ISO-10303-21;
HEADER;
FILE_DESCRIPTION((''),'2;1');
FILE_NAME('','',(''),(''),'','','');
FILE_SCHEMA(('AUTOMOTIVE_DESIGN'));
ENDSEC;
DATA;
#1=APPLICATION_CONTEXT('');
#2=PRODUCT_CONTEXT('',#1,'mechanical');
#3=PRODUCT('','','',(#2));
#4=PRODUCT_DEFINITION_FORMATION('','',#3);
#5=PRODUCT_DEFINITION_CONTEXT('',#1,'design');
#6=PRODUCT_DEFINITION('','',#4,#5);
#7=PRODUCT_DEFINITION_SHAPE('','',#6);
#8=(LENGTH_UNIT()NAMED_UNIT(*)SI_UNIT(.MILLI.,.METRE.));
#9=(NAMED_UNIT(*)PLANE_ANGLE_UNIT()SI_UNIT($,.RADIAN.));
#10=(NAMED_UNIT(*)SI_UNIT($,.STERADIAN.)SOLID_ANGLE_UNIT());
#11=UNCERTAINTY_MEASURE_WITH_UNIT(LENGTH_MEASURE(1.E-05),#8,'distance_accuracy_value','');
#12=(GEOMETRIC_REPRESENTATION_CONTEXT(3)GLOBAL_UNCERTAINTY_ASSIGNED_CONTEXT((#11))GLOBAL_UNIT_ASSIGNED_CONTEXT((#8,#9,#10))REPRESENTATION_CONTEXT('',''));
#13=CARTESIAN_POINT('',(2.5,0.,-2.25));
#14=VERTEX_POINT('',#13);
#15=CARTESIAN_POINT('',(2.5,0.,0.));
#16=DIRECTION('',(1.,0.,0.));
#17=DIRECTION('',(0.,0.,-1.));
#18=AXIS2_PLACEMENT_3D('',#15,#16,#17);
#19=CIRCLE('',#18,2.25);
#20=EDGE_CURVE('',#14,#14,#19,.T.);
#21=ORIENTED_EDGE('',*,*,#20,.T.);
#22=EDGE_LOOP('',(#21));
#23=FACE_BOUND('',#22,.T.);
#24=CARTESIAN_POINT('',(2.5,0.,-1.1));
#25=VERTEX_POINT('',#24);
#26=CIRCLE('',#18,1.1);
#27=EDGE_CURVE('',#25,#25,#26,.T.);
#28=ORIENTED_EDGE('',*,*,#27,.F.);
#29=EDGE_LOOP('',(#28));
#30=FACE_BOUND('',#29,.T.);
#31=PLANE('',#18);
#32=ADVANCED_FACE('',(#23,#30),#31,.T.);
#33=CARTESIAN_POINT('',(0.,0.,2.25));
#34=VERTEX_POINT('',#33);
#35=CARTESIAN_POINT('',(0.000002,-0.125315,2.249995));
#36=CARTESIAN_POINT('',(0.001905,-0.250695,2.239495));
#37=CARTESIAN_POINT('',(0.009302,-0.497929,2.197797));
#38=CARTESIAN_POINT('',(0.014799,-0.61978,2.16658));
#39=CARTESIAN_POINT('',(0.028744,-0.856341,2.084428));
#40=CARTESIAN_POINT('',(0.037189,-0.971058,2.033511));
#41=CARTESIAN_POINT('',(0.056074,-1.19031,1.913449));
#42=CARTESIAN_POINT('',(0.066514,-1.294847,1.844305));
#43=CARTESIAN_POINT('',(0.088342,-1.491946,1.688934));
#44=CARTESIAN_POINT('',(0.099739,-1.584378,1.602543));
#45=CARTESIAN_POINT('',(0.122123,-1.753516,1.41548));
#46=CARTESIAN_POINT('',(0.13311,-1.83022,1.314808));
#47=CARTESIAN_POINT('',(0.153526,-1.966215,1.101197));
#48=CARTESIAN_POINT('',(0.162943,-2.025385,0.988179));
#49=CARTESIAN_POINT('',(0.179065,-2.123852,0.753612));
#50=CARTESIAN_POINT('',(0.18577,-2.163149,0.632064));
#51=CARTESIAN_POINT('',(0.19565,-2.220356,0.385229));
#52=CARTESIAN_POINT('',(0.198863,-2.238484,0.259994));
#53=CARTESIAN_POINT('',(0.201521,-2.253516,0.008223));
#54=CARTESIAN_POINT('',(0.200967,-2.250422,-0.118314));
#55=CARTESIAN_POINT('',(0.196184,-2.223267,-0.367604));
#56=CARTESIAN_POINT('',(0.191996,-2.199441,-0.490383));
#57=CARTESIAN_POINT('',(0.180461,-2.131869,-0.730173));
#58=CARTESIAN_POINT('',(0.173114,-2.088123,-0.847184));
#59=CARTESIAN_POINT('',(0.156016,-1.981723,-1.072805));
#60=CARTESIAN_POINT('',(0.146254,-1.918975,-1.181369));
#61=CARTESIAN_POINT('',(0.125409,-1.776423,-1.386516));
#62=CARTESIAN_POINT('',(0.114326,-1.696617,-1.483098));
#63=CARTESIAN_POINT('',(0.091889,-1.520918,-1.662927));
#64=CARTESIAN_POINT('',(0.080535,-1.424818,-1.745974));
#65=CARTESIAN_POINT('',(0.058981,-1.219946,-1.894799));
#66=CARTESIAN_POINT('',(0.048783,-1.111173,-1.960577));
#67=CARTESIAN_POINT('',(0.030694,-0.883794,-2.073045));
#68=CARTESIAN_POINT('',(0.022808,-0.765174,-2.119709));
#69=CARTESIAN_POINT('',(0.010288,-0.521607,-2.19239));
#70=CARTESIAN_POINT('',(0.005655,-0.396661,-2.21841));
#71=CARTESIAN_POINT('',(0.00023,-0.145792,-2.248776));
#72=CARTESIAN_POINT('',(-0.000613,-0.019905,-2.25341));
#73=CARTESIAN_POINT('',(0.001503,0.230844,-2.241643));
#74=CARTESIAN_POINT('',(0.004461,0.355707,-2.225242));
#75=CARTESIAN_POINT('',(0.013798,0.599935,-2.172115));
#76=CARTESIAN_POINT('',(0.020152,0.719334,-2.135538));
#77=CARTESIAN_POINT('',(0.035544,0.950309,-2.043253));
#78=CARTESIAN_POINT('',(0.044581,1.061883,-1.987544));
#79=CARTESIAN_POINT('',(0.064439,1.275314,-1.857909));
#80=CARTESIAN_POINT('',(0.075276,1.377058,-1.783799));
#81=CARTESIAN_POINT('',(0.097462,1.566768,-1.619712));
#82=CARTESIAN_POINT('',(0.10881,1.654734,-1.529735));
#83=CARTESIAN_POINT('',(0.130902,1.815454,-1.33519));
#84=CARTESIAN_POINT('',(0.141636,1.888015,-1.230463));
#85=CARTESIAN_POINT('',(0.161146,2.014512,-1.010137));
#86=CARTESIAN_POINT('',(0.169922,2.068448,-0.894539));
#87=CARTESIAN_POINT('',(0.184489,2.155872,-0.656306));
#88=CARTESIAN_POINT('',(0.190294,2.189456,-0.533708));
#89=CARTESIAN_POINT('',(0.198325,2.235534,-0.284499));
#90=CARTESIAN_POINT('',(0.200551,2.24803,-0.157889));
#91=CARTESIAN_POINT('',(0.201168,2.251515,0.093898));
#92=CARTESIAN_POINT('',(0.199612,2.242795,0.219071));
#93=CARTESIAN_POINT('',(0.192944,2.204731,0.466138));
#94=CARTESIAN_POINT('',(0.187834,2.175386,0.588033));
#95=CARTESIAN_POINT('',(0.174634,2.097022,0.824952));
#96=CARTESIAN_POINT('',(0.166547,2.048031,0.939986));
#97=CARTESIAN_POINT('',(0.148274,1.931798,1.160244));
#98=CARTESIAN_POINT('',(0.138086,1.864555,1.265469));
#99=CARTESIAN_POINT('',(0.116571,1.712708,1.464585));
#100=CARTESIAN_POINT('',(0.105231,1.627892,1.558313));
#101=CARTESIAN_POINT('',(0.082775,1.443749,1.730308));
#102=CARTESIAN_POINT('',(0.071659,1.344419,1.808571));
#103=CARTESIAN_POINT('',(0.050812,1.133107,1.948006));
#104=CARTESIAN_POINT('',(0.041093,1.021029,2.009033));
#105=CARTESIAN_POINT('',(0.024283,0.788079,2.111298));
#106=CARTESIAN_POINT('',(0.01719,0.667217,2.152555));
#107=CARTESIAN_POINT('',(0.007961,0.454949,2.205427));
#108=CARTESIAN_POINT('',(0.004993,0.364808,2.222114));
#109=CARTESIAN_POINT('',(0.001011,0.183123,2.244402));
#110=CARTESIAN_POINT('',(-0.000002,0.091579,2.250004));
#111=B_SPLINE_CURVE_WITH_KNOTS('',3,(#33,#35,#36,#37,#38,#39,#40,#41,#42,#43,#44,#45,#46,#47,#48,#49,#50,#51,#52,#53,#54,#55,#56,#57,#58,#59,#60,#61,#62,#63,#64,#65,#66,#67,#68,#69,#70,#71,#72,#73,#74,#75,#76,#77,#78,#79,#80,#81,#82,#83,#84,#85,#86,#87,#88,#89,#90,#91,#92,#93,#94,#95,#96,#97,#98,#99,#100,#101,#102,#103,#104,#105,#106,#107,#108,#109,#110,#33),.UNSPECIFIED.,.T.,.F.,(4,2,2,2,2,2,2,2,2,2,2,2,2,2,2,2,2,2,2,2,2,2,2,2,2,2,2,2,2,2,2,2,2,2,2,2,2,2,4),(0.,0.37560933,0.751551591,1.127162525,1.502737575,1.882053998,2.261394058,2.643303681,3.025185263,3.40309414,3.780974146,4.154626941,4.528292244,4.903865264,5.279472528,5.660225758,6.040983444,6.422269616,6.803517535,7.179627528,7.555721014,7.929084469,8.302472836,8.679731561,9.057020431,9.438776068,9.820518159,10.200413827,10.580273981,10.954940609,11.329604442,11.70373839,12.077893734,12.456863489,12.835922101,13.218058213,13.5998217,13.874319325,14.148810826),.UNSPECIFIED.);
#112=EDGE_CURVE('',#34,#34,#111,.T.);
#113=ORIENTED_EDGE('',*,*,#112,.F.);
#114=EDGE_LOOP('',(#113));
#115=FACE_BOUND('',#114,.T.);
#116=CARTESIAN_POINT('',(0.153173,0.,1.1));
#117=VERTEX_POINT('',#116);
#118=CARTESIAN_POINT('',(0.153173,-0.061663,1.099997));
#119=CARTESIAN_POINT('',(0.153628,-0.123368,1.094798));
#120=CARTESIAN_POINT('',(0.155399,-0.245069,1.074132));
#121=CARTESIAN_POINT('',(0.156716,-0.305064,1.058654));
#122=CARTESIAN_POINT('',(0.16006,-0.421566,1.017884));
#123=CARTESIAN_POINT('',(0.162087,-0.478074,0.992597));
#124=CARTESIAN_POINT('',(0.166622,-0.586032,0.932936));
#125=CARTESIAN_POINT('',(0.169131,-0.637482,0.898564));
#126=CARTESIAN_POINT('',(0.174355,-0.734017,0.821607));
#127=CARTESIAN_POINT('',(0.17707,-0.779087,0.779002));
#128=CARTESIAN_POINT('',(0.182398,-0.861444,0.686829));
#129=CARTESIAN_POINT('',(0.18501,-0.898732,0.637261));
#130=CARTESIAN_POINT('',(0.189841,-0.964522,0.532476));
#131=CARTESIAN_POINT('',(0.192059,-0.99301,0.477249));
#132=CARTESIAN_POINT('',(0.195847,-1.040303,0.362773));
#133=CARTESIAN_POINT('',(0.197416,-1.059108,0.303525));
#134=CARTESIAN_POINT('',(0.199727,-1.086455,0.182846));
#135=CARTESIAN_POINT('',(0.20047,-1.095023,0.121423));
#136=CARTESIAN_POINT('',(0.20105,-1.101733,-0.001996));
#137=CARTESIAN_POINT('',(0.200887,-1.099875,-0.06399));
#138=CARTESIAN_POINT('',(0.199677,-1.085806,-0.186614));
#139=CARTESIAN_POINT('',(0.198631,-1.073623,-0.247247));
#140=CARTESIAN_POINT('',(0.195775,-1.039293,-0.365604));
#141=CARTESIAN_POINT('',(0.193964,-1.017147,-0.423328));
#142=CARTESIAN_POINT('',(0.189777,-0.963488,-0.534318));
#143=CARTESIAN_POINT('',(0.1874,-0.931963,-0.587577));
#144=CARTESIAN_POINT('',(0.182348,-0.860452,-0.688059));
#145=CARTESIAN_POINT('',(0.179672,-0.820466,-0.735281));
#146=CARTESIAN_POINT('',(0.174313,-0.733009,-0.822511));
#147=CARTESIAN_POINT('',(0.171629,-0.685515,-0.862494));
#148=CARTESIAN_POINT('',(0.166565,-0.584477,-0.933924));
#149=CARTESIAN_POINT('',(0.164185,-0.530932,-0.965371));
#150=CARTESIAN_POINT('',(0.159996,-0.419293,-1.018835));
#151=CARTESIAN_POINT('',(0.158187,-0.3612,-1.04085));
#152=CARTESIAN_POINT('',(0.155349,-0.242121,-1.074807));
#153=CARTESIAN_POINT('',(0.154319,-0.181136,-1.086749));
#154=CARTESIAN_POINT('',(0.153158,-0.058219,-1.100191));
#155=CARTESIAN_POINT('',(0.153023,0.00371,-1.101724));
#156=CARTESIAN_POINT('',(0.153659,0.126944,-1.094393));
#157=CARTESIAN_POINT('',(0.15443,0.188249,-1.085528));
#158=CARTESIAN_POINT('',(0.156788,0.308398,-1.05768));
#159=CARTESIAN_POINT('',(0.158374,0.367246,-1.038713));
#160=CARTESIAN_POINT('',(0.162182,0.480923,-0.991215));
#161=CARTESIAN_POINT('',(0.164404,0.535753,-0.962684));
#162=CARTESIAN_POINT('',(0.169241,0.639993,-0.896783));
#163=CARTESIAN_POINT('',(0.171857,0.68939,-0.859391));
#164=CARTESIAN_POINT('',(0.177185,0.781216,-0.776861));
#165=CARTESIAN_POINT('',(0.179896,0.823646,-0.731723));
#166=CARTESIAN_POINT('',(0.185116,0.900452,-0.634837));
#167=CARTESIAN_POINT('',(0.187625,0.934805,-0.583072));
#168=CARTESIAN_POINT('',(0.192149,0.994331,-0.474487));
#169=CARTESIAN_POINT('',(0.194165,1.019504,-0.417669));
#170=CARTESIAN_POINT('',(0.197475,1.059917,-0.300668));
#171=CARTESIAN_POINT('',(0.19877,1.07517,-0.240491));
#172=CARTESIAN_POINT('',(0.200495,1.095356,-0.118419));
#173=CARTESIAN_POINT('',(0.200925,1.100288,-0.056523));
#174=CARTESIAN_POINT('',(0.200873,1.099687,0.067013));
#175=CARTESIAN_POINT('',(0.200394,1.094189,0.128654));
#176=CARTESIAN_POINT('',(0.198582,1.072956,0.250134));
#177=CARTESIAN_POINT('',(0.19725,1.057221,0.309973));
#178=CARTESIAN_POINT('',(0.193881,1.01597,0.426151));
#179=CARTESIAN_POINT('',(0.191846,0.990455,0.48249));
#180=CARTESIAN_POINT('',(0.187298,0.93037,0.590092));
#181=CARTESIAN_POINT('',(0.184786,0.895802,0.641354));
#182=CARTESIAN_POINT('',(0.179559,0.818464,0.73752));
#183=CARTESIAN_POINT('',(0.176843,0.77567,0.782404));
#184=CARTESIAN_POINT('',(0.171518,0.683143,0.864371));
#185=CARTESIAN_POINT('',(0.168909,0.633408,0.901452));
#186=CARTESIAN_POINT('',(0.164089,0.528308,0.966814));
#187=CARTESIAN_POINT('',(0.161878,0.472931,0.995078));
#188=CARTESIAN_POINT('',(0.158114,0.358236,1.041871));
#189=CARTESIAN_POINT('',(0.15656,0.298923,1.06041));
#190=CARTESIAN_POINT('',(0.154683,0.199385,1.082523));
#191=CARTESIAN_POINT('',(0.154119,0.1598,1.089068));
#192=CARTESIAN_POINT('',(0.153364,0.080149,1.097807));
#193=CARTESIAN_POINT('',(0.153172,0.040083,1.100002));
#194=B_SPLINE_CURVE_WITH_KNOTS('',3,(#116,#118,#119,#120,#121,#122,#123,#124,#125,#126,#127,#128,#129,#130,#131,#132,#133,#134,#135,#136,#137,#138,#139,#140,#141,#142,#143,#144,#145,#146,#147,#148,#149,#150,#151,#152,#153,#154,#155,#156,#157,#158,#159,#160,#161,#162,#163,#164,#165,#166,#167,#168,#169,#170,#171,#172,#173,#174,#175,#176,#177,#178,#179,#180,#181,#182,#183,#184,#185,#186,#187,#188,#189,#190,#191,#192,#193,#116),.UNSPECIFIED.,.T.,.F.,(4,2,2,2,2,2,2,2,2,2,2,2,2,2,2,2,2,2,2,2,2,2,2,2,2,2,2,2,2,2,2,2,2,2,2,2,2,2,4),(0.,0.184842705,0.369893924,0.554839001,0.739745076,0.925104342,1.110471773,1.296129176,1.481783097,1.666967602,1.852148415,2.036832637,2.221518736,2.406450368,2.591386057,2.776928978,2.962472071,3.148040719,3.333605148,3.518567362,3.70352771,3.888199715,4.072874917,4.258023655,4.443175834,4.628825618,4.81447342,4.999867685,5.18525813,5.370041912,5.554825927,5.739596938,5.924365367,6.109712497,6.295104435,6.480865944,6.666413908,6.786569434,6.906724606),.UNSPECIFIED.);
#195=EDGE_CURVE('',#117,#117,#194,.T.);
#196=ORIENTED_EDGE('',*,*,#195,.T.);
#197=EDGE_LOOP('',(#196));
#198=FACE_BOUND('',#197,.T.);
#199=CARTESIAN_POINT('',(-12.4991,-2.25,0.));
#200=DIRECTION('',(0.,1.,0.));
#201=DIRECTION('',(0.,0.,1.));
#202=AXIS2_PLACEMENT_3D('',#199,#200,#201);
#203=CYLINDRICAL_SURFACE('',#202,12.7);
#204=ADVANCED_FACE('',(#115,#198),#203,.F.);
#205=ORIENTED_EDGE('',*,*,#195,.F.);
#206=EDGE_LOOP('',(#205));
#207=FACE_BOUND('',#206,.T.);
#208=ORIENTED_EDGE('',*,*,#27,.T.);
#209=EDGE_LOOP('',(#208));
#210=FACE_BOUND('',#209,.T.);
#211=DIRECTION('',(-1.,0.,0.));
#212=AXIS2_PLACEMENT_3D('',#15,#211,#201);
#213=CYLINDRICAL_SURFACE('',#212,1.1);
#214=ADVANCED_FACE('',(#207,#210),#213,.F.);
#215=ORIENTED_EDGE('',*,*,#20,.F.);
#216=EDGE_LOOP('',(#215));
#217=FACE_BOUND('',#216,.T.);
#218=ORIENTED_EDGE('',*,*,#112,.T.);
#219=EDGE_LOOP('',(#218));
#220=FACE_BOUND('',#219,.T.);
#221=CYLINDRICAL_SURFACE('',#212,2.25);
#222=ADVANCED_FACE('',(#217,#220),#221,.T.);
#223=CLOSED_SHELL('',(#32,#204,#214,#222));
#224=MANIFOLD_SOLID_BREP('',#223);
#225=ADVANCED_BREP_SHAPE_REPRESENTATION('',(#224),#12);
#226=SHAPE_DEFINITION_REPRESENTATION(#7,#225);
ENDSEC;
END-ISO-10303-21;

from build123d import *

# Parameters (mm, degrees)
SKETCH1_R               = 2.25
SKETCH1_R_2             = 1.1
BOSS_EXTRUDE1_DEPTH     = 2.5
CUT_EXTRUDE1_DEPTH      = 5.046603514
CUT_EXTRUDE1_DEPTH_BACK = 5.046603514


with BuildPart() as part:
    # Sketch1 → Boss-Extrude1 (new body)
    with BuildSketch(Plane(origin=(0, 0, 0), x_dir=(0, 0, -1), z_dir=(1, 0, 0))):
        Circle(SKETCH1_R)
        Circle(SKETCH1_R_2, mode=Mode.SUBTRACT)
    extrude(amount=BOSS_EXTRUDE1_DEPTH)

    # Sketch4 → Cut-Extrude1 (cut, two sides: drawn at the far end of the back side and taken through both)
    with BuildSketch(Plane(origin=(0, 0, 0), x_dir=(1, 0, 0), z_dir=(0, 1, 0)).offset(-CUT_EXTRUDE1_DEPTH_BACK)):
        with BuildLine():
            Line((0, 2.25), (0, -2.25))
            ThreePointArc((0, -2.25), (0.200900032, 0), (0, 2.25))
        make_face()
    extrude(amount=CUT_EXTRUDE1_DEPTH + CUT_EXTRUDE1_DEPTH_BACK, mode=Mode.SUBTRACT)


solid = part.part
